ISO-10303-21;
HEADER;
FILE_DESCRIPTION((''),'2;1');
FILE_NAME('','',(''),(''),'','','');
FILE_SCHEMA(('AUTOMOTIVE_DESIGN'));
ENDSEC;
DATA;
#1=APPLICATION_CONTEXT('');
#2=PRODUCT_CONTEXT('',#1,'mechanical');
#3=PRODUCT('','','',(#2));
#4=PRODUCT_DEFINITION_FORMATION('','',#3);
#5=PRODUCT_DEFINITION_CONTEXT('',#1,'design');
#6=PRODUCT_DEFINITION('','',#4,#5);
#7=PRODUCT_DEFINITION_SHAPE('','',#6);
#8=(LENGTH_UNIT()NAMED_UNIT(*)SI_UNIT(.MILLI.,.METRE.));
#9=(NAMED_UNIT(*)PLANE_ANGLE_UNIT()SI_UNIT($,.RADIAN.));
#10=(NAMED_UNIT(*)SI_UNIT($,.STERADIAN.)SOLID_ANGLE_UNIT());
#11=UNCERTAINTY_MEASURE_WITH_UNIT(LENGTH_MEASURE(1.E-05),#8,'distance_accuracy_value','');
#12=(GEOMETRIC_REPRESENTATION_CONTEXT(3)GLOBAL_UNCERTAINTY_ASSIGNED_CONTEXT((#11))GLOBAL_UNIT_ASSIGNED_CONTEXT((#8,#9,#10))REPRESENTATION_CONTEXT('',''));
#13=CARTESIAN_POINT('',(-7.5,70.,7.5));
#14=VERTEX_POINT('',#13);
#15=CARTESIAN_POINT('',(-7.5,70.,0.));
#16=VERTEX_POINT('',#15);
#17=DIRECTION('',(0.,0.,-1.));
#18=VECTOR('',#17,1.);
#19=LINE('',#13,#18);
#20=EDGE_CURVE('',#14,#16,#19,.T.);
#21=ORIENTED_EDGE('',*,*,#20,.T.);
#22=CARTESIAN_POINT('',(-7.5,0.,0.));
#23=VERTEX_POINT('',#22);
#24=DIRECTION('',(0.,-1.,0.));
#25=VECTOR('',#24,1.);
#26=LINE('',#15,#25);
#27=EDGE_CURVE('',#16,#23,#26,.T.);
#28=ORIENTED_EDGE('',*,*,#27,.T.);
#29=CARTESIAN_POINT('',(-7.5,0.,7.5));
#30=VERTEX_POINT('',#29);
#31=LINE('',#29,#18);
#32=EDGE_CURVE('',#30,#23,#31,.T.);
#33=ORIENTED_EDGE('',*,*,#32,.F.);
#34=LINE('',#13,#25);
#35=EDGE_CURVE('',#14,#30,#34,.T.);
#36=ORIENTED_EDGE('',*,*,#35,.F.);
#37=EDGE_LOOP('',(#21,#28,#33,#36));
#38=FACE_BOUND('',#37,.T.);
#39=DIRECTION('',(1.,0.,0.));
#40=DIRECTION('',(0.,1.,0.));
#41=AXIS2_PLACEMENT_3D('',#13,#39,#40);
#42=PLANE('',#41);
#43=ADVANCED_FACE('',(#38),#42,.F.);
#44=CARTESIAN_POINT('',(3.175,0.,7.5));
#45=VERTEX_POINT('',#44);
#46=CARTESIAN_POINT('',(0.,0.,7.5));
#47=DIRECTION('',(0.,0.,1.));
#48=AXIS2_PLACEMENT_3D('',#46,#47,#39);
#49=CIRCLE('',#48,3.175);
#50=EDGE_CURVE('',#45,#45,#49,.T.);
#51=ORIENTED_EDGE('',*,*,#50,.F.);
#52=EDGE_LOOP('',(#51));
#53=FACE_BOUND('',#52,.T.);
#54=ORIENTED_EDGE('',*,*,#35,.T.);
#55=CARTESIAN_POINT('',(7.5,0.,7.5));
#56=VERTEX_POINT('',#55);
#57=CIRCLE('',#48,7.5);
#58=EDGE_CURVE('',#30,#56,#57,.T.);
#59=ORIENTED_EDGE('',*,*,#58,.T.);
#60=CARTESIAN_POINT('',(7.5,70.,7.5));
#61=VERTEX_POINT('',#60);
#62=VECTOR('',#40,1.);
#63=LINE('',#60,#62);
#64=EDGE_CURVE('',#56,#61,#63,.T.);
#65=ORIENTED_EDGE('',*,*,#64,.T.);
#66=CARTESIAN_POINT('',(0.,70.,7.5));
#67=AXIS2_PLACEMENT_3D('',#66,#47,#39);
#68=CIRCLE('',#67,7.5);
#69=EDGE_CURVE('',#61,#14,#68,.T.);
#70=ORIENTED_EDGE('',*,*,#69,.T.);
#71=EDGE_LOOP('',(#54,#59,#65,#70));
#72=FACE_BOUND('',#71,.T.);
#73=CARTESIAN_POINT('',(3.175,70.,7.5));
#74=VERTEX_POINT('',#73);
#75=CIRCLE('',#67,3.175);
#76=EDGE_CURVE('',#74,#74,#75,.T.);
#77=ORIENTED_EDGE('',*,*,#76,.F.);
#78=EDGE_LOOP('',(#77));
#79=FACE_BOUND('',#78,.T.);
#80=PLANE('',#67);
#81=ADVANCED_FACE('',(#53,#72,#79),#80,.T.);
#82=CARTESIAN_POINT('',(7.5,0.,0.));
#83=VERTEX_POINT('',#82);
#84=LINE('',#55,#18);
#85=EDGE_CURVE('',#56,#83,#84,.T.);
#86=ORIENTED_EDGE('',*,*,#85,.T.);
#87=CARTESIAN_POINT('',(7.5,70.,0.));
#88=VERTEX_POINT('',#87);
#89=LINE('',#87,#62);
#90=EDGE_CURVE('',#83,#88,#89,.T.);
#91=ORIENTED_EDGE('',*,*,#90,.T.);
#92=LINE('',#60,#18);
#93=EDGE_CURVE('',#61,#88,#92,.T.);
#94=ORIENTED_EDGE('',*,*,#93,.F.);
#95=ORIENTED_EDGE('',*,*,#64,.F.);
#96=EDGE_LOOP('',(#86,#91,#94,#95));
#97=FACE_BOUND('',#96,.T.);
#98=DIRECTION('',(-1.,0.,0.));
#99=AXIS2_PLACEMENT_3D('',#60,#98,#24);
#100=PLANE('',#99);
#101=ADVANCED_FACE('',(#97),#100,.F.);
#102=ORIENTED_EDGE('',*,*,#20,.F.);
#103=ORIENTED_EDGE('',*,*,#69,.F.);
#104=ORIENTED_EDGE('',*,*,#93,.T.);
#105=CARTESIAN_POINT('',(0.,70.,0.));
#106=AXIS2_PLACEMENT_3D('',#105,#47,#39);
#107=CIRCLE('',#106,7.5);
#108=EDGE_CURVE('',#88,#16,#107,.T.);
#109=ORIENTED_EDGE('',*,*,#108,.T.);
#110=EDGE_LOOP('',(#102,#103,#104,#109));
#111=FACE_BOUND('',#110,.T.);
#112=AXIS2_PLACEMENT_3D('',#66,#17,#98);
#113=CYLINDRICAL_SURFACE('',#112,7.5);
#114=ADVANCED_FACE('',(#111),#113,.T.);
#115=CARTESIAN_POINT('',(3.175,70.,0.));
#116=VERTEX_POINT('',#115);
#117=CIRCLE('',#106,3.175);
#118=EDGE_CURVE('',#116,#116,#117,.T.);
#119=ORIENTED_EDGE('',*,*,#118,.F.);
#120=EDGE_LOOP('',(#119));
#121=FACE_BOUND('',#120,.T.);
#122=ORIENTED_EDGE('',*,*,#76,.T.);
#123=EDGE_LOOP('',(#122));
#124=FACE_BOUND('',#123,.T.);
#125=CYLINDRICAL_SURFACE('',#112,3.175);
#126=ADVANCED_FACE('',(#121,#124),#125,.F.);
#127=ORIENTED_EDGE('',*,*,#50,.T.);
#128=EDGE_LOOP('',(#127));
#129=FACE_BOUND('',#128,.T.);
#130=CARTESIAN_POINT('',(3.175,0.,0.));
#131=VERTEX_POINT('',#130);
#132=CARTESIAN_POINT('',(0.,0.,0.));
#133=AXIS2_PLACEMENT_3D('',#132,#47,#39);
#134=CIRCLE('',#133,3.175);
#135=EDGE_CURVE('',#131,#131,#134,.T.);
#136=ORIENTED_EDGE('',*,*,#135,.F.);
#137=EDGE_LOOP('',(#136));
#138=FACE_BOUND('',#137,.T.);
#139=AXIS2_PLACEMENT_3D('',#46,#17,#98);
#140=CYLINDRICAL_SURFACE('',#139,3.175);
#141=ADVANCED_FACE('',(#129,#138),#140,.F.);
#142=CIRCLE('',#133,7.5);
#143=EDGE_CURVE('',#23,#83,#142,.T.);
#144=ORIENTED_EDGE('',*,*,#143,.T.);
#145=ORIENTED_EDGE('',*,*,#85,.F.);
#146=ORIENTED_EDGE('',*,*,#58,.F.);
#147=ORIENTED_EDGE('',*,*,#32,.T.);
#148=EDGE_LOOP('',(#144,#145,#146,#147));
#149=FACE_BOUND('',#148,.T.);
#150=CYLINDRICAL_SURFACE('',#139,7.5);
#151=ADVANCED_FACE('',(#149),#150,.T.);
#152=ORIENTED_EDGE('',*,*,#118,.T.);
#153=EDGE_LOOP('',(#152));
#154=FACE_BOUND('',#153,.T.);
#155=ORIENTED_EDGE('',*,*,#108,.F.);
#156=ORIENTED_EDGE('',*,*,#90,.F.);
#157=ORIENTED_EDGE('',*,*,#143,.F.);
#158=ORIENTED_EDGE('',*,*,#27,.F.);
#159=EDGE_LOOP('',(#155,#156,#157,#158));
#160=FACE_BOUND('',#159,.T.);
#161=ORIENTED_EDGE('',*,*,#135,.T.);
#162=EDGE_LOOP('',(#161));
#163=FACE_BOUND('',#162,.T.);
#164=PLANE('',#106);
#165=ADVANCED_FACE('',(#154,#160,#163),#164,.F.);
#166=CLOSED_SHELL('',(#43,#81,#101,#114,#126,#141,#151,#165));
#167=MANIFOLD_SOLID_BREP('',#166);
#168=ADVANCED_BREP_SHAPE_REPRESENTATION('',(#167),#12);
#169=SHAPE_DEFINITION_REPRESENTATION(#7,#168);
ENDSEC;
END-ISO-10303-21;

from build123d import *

# Parameters (mm, degrees)
SKETCH1_R           = 3.175
BOSS_EXTRUDE1_DEPTH = 7.5


with BuildPart() as part:
    # Sketch1 → Boss-Extrude1 (new body)
    with BuildSketch(Plane.XY):
        with BuildLine():
            Line((-7.5, 70), (-7.5, 0))
            ThreePointArc((-7.5, 0), (0, -7.5), (7.5, 0))
            Line((7.5, 0), (7.5, 70))
            ThreePointArc((7.5, 70), (0, 77.5), (-7.5, 70))
        make_face()
        with Locations((0, 70)):
            Circle(SKETCH1_R, mode=Mode.SUBTRACT)
        Circle(SKETCH1_R, mode=Mode.SUBTRACT)
    extrude(amount=BOSS_EXTRUDE1_DEPTH)


solid = part.part
